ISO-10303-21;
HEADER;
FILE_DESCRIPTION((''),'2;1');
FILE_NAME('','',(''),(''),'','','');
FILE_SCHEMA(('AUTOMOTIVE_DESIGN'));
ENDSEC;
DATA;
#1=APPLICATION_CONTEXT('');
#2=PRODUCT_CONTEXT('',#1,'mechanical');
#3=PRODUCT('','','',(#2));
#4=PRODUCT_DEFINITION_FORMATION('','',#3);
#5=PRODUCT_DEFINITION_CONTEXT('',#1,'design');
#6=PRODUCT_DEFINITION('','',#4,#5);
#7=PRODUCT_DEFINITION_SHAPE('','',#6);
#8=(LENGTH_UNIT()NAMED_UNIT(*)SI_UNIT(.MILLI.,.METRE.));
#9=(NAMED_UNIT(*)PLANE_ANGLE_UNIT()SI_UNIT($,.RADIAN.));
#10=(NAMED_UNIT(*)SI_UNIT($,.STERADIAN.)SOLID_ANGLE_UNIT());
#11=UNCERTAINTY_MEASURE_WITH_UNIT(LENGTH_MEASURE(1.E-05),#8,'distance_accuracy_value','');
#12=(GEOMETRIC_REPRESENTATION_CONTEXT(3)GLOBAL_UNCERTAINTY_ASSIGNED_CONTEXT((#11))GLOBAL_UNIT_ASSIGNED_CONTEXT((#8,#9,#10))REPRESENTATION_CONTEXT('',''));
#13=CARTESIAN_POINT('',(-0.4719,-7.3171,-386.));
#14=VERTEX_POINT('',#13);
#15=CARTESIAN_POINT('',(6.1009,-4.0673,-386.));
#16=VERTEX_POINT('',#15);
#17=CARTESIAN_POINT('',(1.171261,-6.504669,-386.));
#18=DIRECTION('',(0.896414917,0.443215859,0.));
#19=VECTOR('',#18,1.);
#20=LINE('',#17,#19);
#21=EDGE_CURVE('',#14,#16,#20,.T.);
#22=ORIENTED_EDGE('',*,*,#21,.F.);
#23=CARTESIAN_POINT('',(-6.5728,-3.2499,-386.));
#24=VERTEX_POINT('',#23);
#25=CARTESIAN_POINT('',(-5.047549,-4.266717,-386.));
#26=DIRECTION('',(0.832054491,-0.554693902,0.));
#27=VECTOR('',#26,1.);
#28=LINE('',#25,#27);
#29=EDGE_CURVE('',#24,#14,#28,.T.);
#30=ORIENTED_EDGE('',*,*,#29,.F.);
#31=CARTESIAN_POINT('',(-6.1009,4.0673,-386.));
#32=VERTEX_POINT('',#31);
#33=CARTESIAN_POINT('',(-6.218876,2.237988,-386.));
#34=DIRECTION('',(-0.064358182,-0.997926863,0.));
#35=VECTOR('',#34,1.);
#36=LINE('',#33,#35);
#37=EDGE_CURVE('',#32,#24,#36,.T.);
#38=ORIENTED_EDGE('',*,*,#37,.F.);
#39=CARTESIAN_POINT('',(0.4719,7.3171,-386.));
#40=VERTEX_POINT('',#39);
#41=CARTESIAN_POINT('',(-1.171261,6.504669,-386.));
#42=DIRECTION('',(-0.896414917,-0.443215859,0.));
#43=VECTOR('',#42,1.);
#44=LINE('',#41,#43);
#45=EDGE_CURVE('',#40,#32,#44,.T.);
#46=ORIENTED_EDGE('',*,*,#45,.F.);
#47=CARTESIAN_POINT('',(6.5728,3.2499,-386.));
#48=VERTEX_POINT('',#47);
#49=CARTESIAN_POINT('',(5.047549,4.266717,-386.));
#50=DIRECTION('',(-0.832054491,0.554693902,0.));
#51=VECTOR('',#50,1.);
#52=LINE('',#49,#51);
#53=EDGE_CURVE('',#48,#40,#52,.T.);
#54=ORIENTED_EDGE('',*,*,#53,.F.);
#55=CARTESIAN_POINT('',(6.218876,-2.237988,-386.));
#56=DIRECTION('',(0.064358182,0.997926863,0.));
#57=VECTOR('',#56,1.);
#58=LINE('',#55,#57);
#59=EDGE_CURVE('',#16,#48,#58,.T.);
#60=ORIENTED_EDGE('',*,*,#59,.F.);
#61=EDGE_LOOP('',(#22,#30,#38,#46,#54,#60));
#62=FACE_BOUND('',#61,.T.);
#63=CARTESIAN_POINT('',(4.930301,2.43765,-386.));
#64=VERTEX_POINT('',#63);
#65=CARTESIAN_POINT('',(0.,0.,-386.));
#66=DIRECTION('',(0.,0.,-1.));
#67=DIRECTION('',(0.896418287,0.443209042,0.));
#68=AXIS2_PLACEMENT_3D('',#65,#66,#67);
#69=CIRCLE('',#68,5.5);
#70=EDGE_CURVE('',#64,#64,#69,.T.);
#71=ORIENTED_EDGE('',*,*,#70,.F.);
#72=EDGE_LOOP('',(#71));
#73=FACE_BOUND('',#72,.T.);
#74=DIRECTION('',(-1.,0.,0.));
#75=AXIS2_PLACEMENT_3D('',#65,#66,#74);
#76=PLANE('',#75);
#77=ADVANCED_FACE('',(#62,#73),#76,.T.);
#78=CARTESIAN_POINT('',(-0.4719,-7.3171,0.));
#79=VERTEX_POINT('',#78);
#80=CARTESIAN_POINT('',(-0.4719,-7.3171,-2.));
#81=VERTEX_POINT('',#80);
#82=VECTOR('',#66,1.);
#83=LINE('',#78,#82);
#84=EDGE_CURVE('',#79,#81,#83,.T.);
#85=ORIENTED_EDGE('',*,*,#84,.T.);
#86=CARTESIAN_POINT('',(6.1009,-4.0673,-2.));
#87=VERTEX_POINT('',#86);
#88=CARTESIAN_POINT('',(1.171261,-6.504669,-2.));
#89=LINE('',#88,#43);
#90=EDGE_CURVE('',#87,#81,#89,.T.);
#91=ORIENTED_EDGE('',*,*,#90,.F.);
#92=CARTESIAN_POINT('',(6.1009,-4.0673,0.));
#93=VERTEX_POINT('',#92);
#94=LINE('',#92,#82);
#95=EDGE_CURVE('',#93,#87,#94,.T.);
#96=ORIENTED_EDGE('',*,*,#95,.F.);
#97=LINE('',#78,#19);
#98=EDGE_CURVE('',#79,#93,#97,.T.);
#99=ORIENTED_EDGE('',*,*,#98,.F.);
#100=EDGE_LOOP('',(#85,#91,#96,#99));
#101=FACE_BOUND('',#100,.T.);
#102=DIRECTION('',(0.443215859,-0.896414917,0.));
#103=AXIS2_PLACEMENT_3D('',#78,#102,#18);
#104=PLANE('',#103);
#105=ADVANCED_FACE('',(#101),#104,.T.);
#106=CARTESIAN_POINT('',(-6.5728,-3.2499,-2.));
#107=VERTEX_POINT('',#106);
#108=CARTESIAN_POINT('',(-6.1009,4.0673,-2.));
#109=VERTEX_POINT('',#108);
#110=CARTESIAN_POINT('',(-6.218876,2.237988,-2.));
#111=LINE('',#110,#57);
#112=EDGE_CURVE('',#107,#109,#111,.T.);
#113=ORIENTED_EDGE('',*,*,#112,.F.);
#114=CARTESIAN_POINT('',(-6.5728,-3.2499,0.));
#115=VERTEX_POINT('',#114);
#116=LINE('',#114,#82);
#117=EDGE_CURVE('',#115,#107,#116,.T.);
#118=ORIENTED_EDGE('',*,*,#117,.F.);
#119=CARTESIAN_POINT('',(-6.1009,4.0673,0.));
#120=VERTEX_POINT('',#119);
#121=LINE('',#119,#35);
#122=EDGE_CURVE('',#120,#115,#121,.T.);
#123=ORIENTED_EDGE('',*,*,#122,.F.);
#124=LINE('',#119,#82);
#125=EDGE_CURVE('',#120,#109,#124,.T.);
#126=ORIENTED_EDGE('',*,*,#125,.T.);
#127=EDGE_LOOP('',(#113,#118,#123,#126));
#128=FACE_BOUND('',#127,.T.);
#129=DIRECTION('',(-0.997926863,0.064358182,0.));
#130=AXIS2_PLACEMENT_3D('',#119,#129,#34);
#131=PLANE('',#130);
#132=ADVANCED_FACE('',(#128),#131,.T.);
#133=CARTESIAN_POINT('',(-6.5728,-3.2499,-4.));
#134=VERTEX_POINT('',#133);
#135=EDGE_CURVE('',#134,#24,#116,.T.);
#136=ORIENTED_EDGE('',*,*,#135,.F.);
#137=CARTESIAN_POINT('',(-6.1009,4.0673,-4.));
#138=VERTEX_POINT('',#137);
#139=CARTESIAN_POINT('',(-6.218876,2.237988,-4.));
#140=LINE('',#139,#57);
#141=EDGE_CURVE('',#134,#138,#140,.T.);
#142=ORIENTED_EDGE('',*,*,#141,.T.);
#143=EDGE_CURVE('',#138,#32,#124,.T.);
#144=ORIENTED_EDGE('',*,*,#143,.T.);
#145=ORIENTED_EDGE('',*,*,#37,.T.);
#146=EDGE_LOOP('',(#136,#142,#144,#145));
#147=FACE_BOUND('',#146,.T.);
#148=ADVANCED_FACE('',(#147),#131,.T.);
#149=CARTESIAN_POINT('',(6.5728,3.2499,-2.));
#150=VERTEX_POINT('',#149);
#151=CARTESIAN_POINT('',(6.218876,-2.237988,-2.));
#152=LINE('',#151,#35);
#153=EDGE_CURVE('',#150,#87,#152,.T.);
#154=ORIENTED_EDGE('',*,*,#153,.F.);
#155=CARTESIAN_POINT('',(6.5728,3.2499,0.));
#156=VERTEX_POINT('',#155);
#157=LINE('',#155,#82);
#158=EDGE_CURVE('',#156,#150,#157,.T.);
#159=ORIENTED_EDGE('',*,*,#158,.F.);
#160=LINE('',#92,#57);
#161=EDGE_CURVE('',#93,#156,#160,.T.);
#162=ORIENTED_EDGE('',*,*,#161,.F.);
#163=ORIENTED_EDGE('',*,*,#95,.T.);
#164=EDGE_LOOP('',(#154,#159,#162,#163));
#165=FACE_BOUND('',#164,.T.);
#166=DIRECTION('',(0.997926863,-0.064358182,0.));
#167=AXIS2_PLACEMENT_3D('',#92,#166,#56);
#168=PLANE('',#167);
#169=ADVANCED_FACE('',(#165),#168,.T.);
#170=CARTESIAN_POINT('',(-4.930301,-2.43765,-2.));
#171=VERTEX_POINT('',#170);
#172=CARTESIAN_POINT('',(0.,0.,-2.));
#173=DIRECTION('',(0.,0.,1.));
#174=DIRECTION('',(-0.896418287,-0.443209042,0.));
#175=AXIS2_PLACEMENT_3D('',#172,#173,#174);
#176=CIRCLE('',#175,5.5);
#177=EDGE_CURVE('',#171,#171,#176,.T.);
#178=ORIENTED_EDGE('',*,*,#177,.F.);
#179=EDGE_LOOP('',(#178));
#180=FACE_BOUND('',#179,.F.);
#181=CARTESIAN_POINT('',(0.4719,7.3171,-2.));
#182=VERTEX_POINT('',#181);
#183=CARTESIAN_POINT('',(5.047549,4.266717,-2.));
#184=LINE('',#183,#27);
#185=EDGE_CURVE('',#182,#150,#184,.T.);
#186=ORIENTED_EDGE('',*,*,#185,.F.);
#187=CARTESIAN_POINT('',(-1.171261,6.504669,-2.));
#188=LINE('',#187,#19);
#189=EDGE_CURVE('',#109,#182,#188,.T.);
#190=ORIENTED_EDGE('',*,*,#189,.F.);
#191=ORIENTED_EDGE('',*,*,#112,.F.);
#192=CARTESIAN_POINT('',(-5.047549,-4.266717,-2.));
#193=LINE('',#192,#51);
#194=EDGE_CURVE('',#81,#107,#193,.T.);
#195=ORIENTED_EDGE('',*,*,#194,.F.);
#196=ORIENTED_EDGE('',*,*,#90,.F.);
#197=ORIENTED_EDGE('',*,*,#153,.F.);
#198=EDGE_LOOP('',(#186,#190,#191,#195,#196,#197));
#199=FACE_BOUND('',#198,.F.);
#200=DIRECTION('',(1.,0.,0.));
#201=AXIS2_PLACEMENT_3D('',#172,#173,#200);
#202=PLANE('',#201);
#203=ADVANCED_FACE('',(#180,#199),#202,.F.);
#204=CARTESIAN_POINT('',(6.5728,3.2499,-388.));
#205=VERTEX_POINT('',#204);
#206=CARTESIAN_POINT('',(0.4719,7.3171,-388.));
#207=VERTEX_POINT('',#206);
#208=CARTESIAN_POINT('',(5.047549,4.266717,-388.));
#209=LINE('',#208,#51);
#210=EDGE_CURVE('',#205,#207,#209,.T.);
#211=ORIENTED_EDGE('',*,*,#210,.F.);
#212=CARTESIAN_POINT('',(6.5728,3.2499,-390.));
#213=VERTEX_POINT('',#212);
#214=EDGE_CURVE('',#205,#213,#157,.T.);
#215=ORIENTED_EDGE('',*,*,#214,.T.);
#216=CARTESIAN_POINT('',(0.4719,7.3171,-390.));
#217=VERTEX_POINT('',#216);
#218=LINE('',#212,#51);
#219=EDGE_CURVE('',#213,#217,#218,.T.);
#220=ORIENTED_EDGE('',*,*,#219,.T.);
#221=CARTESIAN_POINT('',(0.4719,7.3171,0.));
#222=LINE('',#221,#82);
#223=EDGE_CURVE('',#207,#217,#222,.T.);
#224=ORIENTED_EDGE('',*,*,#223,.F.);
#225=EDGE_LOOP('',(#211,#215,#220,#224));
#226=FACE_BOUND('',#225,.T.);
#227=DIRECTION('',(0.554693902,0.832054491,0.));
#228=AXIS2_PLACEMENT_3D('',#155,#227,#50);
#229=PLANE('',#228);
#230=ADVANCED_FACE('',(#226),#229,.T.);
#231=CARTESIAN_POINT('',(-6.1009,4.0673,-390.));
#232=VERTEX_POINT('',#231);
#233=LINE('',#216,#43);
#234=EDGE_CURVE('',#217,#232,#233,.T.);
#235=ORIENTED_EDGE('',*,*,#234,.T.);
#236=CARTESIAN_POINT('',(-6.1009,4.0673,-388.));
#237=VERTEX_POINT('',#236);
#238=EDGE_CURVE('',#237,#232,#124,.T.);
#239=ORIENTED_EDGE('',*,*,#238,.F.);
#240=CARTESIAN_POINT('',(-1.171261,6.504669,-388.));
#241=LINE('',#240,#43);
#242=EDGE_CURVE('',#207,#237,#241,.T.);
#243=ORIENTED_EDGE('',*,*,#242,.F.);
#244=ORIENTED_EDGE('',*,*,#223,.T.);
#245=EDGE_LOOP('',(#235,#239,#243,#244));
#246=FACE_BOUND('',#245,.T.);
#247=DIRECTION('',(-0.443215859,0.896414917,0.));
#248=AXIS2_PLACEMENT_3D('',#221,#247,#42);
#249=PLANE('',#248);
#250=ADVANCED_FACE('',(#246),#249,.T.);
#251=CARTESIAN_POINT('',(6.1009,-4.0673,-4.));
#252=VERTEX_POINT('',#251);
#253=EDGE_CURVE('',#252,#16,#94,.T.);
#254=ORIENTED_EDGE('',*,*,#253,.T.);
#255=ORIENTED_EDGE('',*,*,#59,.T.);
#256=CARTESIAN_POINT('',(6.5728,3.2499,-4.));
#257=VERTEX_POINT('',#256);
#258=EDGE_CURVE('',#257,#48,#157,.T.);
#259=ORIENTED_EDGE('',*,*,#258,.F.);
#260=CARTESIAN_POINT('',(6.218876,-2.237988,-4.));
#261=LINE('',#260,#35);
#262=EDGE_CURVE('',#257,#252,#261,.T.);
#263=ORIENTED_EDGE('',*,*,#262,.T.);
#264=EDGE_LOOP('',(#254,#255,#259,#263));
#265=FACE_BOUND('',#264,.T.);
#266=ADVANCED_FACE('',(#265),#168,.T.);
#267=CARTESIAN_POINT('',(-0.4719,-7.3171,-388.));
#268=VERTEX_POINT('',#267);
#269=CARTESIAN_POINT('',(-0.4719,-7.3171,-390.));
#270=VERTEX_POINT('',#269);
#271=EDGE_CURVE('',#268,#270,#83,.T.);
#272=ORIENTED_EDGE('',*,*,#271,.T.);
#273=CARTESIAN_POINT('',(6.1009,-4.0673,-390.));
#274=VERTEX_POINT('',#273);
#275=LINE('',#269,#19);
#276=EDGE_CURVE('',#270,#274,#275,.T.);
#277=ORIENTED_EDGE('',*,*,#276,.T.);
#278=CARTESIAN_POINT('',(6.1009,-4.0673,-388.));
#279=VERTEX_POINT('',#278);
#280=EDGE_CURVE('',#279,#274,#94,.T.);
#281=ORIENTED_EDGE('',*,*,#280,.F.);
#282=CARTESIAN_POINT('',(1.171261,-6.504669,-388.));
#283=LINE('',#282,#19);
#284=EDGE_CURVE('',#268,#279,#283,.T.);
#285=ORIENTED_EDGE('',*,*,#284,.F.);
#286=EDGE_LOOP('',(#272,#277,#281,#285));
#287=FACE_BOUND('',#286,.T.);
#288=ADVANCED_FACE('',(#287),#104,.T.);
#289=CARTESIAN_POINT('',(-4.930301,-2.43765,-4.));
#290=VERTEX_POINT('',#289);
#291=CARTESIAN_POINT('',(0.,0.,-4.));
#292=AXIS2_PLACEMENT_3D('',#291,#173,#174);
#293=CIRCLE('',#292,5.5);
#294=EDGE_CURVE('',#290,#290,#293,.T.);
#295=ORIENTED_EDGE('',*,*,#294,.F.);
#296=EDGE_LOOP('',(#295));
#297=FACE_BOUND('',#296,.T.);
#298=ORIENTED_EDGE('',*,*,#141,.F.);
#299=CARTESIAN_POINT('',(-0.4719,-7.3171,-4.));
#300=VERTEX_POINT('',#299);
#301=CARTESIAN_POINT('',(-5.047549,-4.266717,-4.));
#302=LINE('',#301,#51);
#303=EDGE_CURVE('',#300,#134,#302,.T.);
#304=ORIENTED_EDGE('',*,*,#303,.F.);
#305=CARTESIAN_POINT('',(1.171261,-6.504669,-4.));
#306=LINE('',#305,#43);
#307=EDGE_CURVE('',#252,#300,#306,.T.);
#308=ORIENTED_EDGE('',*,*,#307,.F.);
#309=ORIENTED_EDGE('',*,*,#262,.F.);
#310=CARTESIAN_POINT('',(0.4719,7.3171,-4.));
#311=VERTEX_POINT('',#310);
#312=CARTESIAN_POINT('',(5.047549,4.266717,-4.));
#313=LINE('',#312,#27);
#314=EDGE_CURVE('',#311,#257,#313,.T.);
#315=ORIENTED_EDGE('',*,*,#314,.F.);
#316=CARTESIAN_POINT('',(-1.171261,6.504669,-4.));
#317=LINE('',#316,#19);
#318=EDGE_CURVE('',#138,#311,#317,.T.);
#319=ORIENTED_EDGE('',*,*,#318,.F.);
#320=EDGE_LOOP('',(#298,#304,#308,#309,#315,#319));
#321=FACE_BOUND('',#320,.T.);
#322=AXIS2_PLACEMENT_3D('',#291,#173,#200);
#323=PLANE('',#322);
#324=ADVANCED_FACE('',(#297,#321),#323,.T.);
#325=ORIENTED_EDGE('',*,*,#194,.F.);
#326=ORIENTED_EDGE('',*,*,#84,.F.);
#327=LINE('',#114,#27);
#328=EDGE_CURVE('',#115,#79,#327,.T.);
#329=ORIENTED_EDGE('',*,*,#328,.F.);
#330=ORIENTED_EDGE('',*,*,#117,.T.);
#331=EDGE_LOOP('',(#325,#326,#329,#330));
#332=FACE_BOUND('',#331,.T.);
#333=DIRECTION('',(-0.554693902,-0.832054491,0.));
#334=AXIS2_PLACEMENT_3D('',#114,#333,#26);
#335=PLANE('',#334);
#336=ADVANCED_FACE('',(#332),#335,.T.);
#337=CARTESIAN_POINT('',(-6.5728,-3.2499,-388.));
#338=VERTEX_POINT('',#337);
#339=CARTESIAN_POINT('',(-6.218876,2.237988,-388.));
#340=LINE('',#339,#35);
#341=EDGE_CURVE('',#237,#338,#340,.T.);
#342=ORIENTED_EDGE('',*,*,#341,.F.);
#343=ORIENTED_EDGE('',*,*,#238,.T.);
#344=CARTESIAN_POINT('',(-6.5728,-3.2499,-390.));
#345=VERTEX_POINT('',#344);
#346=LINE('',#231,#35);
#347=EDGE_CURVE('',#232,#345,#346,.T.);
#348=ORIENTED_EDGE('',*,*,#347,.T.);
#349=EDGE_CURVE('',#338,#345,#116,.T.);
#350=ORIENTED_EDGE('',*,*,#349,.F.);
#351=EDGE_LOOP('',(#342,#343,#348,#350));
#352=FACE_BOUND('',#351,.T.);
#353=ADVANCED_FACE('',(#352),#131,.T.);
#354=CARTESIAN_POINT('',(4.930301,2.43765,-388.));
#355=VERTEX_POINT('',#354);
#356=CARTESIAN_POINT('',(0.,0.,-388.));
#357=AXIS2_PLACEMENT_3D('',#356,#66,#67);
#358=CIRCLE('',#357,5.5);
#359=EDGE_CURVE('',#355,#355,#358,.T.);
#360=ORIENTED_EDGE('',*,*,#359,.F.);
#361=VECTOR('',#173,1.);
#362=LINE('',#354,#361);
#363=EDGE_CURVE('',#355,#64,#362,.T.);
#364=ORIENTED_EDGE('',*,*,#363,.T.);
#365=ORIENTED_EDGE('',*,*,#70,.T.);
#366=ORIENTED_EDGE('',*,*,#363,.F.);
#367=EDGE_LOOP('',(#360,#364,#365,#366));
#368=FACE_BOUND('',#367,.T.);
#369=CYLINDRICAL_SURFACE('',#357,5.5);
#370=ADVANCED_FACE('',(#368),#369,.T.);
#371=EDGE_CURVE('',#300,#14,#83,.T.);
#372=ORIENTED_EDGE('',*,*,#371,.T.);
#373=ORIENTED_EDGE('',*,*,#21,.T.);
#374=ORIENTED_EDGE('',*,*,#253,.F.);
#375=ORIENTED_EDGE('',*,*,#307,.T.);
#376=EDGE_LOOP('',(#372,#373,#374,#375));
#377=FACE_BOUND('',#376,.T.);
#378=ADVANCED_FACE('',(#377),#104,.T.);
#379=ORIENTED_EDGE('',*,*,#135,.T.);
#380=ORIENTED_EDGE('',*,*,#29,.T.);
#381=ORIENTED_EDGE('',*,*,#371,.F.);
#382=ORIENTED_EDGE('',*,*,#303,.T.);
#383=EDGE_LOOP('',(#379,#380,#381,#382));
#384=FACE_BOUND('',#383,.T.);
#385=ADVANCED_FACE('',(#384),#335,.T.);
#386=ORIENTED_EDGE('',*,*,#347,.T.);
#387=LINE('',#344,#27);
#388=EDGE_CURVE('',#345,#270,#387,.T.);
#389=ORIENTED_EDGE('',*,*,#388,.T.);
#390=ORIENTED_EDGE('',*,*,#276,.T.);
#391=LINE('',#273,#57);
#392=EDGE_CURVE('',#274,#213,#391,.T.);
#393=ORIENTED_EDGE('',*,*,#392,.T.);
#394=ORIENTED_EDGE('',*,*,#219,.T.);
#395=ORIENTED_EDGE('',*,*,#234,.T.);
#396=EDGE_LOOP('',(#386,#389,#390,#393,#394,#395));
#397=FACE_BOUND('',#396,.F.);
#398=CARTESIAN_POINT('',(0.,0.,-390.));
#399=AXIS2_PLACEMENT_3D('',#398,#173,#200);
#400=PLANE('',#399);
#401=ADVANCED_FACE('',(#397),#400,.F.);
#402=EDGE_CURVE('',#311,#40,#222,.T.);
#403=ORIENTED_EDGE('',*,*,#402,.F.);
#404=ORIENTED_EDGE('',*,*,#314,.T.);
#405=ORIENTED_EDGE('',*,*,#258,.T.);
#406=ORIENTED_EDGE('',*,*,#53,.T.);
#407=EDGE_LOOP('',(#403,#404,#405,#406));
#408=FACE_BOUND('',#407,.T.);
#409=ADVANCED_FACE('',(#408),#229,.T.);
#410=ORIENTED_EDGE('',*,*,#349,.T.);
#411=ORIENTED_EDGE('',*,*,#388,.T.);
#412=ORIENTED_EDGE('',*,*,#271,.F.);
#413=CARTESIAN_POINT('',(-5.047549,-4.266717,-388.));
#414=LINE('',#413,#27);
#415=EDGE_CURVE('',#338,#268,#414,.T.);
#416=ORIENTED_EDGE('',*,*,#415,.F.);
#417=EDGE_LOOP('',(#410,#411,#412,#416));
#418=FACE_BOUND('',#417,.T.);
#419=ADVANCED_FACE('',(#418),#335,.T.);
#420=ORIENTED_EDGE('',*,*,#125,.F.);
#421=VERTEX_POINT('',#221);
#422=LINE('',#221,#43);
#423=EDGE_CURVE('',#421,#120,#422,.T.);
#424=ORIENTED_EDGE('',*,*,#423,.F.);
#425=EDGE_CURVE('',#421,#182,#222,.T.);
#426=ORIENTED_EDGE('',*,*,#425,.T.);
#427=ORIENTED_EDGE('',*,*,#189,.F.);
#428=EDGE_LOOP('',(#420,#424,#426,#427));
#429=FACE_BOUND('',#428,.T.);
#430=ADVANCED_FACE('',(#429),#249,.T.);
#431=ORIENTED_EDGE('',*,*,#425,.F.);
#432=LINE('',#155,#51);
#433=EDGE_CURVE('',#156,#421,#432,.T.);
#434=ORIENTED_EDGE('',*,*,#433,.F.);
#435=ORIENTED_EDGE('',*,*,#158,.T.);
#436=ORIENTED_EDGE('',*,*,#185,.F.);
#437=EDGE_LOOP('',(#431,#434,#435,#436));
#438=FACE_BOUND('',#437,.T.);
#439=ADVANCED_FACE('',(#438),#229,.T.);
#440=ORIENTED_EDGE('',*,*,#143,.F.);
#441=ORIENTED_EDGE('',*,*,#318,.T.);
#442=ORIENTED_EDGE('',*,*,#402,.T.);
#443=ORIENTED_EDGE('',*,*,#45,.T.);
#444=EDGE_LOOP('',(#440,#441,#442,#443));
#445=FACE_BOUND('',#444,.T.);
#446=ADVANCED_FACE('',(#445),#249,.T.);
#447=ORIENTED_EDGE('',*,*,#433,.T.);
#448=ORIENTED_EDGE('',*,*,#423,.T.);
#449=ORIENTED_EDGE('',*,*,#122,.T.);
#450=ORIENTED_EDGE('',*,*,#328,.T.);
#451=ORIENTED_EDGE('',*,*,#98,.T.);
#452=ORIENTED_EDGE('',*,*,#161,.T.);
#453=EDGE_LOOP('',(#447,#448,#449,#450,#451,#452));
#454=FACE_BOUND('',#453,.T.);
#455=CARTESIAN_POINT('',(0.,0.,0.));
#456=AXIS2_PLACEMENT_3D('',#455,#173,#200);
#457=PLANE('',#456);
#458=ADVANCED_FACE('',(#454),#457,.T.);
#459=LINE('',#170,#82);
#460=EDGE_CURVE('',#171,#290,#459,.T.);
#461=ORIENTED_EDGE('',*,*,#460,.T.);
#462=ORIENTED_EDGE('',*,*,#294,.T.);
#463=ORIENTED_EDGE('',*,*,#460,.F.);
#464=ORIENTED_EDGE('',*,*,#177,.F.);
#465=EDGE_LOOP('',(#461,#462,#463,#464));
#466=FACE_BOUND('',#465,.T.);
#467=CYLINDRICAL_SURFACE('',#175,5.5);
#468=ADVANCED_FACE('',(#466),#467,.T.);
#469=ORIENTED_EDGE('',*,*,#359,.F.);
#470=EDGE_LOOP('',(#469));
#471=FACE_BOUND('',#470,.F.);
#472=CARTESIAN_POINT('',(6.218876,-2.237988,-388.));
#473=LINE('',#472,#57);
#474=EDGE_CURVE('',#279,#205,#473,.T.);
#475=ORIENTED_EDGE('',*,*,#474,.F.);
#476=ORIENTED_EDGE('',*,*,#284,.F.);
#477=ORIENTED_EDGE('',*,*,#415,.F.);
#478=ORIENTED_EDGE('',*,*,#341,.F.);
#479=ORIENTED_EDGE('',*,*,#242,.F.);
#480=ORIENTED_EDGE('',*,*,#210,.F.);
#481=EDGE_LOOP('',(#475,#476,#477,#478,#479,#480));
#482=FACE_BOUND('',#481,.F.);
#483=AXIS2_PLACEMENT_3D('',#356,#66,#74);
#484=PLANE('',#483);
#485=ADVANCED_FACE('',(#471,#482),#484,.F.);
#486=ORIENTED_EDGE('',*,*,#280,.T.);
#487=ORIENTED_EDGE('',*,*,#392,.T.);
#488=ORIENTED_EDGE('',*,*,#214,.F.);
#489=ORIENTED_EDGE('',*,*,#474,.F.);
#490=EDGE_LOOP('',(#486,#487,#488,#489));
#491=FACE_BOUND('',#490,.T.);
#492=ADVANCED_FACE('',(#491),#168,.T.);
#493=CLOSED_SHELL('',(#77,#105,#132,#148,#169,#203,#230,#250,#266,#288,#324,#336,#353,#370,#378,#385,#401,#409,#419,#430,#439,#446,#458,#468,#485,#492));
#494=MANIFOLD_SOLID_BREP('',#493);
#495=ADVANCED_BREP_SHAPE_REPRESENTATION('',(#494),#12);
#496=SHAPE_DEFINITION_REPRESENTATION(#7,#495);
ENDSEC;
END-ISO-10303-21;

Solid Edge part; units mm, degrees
sketch "Sketch1" plane through (0, 0, 0) normal (0, 0, 1) x (1, 0, 0)
  line L0 (-6.1009, 4.0673) -> (-6.5728, -3.2499)
  line L1 (-6.5728, -3.2499) -> (-0.4719, -7.3171)
  line L2 (-0.4719, -7.3171) -> (6.1009, -4.0673)
  line L3 (6.1009, -4.0673) -> (6.5728, 3.2499)
  line L4 (6.5728, 3.2499) -> (0.4719, 7.3171)
  line L5 (0.4719, 7.3171) -> (-6.1009, 4.0673)
extrude "Protrusion1" add sketch "Sketch1" against normal blind 390
sketch "Sketch2" plane through (0, 0, -2) normal (0, 0, 1) x (-0.8964, -0.4432, 0)
  circle A0 centre (0, 0) radius 5.5
  circle A1 centre (0, 0) radius 13.1424
extrude "ExtrudedCutout_1" cut sketch "Sketch2" against normal blind 2
sketch "Sketch3" plane through (0, 0, -388) normal (0, 0, -1) x (0.8964, 0.4432, 0)
  circle A0 centre (0, 0) radius 5.5
  circle A1 centre (0, 0) radius 13.1424
extrude "ExtrudedCutout_2" cut sketch "Sketch3" against normal blind 2
properties part number "BumbleB0247"
